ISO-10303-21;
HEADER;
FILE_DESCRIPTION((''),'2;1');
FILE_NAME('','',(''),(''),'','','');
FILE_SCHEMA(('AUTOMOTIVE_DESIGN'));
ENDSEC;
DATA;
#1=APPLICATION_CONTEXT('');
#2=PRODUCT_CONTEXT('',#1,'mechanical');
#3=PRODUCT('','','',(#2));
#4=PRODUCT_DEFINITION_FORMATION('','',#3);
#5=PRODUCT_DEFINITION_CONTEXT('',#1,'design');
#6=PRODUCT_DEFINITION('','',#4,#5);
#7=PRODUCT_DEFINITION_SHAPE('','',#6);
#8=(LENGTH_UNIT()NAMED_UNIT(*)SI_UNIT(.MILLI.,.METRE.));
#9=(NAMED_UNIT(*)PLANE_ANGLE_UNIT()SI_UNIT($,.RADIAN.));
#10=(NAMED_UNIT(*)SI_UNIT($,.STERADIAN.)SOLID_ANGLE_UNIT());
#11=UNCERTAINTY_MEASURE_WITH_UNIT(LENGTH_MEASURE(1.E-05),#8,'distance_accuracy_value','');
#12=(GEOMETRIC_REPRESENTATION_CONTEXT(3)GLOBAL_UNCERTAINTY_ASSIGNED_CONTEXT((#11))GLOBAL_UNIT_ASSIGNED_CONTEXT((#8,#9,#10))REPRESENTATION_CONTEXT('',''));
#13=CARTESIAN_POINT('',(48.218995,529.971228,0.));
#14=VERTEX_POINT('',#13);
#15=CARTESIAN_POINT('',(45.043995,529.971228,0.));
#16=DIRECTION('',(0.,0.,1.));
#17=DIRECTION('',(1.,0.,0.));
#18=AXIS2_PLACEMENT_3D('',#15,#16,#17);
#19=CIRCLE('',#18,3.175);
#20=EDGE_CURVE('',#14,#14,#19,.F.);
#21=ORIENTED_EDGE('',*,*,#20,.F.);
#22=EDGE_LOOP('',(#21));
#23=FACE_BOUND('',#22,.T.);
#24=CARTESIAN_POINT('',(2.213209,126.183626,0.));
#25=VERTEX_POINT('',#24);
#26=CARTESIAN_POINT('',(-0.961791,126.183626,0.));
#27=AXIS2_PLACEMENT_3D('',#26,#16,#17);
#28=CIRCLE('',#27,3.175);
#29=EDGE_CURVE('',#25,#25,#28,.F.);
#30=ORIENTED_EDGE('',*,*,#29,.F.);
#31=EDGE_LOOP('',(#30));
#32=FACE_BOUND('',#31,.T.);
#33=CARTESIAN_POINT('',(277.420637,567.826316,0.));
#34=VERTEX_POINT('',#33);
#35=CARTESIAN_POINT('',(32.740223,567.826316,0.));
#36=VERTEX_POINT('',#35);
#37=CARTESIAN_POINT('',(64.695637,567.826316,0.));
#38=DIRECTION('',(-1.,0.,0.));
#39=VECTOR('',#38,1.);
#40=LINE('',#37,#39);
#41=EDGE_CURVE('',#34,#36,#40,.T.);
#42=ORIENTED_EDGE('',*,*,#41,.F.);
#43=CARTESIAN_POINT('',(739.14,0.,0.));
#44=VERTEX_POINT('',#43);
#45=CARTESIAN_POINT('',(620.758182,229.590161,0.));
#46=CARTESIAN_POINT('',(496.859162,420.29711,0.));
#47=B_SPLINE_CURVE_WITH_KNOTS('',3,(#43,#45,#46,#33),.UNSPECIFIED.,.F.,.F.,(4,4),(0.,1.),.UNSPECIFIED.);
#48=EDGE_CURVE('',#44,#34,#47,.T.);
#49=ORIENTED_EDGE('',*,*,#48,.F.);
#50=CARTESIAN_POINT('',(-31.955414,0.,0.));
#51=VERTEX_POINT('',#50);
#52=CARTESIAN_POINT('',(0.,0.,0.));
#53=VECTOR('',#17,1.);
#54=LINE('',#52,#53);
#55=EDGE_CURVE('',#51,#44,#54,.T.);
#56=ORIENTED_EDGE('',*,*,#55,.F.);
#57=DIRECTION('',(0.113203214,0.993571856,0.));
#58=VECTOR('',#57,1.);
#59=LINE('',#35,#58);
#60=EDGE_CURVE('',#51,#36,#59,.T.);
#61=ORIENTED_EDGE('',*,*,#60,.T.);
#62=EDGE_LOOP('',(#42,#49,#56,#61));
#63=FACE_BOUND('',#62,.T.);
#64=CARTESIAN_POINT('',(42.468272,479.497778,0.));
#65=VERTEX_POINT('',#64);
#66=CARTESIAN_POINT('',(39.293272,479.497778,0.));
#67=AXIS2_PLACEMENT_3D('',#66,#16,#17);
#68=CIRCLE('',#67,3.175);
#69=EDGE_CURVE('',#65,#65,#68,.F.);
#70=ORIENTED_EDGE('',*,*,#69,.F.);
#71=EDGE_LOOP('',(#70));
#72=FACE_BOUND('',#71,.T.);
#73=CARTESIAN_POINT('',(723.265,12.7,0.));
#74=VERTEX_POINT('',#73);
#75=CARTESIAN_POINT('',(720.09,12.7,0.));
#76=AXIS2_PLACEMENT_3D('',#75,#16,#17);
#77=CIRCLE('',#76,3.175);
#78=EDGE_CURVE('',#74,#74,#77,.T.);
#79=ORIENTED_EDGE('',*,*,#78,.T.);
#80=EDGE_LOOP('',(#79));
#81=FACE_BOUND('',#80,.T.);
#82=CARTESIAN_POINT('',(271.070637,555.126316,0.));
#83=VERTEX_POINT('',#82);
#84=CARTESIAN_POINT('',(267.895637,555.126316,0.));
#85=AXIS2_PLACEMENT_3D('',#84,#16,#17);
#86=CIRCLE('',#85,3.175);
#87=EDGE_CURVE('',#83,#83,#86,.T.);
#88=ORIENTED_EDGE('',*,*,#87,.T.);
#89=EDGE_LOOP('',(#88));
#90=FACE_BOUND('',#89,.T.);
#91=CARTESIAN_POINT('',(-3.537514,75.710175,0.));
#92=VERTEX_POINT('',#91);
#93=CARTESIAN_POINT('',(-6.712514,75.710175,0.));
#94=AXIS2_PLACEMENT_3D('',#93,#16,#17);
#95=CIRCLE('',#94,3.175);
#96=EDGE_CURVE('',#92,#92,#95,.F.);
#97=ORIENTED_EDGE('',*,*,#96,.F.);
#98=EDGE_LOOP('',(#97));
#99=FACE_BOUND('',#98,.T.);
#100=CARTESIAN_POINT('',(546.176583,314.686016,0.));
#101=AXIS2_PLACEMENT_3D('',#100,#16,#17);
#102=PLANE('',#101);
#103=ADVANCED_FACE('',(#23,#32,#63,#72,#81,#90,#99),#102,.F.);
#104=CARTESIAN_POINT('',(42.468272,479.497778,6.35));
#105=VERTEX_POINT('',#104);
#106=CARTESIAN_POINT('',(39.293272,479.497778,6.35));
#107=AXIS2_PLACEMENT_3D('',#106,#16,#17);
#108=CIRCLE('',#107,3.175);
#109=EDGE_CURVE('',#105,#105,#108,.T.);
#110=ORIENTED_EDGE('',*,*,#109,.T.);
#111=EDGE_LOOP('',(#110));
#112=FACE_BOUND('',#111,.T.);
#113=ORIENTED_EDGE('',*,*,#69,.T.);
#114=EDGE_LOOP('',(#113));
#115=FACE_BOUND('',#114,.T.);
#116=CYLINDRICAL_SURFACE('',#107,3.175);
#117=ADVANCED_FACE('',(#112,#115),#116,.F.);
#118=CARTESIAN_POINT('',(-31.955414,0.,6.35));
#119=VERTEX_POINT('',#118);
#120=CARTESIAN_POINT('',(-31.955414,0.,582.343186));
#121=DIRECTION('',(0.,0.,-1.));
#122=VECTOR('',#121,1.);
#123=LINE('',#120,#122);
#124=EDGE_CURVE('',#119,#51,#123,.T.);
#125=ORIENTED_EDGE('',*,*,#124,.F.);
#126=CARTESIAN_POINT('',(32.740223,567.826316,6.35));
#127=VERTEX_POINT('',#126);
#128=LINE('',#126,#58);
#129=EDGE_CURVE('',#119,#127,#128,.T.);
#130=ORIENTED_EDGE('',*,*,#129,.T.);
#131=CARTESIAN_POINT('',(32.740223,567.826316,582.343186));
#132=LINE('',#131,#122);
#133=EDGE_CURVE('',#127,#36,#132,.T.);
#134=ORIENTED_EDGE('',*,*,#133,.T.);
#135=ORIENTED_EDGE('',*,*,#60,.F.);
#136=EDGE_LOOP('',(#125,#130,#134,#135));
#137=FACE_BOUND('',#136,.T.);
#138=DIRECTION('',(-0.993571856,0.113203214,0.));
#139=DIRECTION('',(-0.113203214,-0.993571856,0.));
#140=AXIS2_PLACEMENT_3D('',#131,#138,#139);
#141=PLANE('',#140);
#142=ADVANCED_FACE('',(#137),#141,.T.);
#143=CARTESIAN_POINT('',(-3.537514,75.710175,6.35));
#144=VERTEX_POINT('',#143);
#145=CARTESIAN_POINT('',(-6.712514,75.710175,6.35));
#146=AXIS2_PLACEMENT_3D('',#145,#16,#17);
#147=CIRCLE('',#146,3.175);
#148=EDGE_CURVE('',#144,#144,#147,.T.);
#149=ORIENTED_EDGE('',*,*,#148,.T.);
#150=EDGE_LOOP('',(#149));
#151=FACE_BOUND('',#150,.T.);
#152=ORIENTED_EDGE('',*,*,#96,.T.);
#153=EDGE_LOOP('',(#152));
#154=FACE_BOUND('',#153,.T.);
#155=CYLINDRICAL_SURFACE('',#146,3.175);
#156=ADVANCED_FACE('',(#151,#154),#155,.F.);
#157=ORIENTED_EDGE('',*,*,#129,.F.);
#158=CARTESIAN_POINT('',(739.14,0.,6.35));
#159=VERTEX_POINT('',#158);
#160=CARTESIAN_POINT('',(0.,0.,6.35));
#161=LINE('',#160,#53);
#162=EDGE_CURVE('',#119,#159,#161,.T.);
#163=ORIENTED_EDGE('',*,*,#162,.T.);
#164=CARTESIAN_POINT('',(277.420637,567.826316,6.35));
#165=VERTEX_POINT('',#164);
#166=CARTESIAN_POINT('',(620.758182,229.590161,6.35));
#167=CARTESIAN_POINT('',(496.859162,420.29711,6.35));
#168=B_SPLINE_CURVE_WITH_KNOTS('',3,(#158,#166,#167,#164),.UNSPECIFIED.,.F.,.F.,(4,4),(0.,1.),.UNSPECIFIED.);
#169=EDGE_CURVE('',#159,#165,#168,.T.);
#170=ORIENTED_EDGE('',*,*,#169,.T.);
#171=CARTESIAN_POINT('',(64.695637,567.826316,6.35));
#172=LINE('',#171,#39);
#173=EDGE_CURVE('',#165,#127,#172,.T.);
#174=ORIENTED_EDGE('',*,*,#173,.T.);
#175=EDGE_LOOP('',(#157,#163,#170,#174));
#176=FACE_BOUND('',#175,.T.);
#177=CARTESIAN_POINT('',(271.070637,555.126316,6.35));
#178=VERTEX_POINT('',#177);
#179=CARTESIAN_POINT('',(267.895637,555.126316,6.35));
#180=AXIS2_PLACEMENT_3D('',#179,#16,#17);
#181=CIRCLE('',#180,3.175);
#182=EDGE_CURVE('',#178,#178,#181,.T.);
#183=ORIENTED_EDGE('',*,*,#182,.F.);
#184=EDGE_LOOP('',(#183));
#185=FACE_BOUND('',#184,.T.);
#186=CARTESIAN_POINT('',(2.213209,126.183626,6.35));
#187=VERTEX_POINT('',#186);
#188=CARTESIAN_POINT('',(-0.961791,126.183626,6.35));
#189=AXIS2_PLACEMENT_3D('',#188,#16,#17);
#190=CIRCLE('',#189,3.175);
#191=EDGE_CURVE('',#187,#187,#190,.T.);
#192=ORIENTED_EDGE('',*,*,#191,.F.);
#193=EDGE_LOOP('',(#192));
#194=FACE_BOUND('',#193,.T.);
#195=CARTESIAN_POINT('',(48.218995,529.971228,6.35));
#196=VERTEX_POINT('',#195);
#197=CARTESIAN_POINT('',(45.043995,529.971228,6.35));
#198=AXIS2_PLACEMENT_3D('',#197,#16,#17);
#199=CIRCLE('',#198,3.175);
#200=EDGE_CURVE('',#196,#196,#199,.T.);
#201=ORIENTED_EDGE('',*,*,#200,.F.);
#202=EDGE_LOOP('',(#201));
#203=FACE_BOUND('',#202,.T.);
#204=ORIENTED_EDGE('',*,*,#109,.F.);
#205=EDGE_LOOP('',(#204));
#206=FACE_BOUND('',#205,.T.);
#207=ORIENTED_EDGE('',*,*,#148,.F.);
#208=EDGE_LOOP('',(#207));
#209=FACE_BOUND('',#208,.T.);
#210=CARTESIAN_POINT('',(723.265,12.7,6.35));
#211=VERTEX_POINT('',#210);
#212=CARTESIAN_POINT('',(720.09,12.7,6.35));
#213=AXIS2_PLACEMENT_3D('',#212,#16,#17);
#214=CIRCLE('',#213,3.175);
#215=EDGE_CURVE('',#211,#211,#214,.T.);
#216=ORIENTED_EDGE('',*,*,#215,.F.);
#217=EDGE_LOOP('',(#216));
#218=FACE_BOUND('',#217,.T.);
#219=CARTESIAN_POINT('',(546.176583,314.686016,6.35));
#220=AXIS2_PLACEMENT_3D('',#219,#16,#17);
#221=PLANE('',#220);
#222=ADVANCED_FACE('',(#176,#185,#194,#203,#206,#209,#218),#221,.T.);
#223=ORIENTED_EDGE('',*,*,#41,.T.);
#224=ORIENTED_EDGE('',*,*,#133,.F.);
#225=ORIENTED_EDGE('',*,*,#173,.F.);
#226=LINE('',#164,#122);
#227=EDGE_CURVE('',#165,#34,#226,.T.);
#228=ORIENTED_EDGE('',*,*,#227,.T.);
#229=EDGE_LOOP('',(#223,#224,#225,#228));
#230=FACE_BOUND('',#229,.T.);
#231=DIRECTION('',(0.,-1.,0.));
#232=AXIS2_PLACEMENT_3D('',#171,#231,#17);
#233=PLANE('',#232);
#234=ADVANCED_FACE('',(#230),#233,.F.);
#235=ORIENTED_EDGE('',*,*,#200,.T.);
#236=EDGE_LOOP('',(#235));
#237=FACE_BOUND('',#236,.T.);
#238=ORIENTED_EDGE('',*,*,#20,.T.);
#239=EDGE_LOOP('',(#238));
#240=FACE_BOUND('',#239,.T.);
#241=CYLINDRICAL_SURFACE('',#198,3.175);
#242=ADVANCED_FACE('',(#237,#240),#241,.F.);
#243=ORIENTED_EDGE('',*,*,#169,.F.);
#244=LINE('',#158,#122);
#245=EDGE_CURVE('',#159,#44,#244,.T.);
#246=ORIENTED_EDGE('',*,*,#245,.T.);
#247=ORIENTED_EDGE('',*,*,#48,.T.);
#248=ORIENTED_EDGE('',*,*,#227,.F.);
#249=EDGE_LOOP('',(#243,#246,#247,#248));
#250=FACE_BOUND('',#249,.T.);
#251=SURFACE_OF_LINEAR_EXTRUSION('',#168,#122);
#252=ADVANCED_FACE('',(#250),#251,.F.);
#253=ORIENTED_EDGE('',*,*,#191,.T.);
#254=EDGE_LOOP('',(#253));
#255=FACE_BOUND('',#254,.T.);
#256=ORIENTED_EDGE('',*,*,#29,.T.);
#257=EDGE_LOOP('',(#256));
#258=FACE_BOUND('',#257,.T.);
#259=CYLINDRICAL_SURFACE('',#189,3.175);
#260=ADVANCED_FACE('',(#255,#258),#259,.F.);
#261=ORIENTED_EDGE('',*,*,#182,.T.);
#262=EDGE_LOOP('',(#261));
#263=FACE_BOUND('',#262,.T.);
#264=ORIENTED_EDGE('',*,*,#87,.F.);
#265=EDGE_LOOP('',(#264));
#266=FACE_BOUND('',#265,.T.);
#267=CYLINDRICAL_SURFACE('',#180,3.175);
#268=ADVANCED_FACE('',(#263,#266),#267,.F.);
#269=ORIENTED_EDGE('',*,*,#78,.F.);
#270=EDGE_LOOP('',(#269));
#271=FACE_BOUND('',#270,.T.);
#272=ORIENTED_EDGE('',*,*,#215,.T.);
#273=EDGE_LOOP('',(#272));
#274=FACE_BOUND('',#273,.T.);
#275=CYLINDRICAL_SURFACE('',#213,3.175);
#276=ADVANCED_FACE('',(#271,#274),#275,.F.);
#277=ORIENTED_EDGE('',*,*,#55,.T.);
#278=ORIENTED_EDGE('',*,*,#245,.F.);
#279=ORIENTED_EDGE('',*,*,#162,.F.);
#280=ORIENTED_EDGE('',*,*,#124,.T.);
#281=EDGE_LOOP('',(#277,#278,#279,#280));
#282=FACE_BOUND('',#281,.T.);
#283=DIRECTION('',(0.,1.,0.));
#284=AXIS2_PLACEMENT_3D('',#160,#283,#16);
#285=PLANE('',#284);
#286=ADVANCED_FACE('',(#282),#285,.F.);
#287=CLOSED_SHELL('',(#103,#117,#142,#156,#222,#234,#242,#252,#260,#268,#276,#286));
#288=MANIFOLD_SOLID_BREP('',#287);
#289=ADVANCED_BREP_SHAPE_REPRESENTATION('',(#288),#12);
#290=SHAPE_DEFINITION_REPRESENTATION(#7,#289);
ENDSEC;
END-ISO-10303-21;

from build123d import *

# Parameters (mm, degrees)
BOSS_EXTRUDE1_DEPTH             = 6.35
BOSS_EXTRUDE2_DEPTH             = 6.35
F_1_4_0_25_DIAMETER_HOLE2_D     = 6.35
F_1_4_0_25_DIAMETER_HOLE3_D     = 6.35
F_1_4_0_25_DIAMETER_HOLE3_DEPTH = 6.35


with BuildPart() as part:
    # Sketch1 → Boss-Extrude1 (new body)
    with BuildSketch(Plane.XY):
        with BuildLine():
            Line((0, 0), (739.14, 0))
            add(Edge.make_bspline(
                [(277.420636668, 567.826315519), (496.859161811, 420.297110317), (620.758181585, 229.590161119), (739.14, 0)],
                knots=[0, 0, 0, 0, 1, 1, 1, 1], degree=3))
            Line((277.420636668, 567.826315519), (64.695636668, 567.826315519))
            Line((64.695636668, 567.826315519), (0, 0))
        make_face()
    extrude(amount=BOSS_EXTRUDE1_DEPTH)

    # Sketch5 → Boss-Extrude2 (add)
    with BuildSketch(Plane(origin=(0, 0, 0), x_dir=(-1, 0, 0), z_dir=(0, 0, -1))):
        Polygon((-64.695636668, 567.826315519), (-32.740222655, 567.826315519), (31.955414013, 0), (0, 0), align=None)
    extrude(amount=-BOSS_EXTRUDE2_DEPTH)

    # 1/4 (0.25) Diameter Hole2 (through all)
    with Locations(Plane.XY.offset(6.35)):
        with Locations((-6.712513837, 75.710175403), (-0.961790578, 126.183625671), (39.293272238, 479.49777755), (45.043995497, 529.971227818)):
            Hole(F_1_4_0_25_DIAMETER_HOLE2_D / 2)

    # 1/4 (0.25) Diameter Hole3
    with Locations(Plane.XY.offset(6.35)):
        with Locations((720.09, 12.7), (267.895636668, 555.126315519)):
            Hole(F_1_4_0_25_DIAMETER_HOLE3_D / 2, depth=F_1_4_0_25_DIAMETER_HOLE3_DEPTH)


solid = part.part
